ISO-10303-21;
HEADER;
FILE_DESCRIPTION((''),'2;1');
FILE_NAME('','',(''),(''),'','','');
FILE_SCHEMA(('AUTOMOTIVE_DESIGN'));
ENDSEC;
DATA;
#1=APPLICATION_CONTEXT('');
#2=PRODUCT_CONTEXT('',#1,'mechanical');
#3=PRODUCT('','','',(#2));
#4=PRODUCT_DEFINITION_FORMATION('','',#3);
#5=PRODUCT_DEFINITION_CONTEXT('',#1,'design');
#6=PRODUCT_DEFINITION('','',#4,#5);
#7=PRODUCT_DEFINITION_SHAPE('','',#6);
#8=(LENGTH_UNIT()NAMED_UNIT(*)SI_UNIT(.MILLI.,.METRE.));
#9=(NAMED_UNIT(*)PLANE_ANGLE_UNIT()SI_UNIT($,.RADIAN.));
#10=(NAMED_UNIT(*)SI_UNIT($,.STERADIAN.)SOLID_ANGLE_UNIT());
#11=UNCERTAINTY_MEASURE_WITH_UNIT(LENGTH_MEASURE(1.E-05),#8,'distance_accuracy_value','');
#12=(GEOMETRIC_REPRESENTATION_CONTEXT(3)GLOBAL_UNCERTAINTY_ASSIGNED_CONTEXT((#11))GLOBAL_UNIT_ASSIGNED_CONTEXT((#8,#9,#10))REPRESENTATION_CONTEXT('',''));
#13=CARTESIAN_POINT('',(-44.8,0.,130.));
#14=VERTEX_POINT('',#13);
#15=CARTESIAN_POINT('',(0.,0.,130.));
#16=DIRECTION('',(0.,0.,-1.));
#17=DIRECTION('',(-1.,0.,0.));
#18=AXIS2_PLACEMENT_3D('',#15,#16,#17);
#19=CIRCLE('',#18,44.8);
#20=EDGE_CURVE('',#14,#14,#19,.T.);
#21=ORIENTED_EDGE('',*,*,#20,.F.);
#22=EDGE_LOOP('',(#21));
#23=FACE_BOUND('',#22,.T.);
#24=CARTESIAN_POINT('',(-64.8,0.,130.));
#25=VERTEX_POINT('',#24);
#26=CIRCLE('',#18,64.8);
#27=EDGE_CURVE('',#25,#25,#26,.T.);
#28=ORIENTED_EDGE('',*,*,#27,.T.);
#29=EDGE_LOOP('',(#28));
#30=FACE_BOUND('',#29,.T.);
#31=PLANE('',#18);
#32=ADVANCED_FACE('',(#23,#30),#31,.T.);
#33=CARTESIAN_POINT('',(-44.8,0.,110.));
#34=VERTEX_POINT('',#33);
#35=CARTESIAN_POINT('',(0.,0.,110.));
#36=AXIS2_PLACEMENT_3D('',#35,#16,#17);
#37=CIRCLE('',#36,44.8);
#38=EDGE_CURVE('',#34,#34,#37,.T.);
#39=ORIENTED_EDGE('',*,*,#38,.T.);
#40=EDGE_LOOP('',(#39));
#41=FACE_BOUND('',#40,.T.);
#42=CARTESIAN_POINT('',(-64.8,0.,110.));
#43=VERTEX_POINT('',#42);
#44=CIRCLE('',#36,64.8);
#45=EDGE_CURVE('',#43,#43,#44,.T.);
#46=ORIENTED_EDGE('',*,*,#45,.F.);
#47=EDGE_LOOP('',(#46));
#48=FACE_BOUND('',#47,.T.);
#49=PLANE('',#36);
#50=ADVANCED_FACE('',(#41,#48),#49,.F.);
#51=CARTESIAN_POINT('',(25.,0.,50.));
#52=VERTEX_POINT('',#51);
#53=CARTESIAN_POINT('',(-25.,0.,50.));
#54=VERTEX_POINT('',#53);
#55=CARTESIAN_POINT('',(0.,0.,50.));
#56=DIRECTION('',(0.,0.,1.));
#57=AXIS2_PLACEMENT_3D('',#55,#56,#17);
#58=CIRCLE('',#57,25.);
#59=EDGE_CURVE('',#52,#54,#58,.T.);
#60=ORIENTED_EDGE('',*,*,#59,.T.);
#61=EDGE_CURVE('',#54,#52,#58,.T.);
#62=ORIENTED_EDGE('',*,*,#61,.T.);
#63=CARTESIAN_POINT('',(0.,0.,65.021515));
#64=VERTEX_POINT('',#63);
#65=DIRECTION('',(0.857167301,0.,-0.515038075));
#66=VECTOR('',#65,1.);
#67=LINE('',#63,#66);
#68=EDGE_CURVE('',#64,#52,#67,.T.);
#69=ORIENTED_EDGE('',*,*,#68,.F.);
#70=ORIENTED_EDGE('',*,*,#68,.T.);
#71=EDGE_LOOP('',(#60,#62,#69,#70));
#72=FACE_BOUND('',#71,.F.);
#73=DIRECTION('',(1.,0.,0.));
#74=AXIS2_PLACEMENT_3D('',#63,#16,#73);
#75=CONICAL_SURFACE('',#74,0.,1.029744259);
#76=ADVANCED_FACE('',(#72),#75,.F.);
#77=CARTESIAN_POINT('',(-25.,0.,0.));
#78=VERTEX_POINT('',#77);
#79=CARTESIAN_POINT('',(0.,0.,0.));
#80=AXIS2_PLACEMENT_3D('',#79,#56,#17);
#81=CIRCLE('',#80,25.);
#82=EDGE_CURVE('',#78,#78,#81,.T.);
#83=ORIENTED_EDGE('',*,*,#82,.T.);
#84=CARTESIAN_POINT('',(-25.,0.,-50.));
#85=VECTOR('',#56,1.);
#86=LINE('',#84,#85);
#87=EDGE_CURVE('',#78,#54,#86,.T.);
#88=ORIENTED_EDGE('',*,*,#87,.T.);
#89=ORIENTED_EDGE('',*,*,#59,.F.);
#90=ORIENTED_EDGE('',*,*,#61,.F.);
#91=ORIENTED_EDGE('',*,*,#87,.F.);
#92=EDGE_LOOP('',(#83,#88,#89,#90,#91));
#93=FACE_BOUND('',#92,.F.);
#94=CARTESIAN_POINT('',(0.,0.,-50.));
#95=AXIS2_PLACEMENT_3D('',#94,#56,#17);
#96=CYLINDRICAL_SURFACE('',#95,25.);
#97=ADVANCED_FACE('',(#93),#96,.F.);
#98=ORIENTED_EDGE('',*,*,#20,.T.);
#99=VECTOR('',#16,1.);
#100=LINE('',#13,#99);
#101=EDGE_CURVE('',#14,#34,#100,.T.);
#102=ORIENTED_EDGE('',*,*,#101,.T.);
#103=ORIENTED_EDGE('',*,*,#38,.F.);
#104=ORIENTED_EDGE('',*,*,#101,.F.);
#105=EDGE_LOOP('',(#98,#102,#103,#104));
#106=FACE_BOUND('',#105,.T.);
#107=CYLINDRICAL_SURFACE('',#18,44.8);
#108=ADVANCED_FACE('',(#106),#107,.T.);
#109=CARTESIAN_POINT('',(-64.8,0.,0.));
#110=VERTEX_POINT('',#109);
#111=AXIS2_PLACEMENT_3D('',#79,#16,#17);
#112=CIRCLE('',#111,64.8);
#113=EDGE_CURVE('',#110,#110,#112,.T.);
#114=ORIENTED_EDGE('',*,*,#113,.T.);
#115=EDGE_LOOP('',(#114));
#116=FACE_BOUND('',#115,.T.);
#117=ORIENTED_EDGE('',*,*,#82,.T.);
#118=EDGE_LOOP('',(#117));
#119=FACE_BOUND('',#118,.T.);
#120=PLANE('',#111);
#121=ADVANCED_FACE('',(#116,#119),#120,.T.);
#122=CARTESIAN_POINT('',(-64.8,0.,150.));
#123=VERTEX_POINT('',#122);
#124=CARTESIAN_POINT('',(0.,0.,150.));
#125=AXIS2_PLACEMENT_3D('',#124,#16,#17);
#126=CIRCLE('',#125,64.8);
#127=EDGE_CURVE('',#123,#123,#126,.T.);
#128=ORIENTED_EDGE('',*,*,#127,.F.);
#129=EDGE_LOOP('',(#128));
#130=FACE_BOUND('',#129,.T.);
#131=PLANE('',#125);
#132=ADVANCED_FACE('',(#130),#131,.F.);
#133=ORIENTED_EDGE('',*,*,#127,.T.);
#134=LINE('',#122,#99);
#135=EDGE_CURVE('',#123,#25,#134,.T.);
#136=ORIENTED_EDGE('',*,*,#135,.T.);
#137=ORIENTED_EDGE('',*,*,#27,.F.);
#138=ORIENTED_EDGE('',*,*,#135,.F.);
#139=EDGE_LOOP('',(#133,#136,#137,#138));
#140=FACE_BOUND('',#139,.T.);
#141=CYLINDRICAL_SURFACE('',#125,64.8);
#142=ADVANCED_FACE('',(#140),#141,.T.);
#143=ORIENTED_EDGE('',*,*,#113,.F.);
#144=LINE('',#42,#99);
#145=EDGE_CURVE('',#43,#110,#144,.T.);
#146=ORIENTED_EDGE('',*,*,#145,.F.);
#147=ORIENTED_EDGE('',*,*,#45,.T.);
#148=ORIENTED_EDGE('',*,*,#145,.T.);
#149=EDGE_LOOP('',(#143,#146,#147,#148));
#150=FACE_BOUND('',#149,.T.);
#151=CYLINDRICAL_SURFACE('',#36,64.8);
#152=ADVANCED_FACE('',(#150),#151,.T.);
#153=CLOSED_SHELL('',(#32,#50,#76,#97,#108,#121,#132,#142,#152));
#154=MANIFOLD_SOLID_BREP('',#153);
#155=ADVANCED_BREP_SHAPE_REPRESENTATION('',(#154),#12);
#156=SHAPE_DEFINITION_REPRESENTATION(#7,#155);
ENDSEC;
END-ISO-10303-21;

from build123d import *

# Parameters (mm, degrees)
F3_D     = 50
F3_DEPTH = 50
F3_TIP   = 15.0215154757


with BuildPart() as f1:
    # F0 (on Front) → F1 (revolve)
    with BuildSketch(Plane.XZ):
        Polygon((-64.8, 0), (0, 0), (0, 150), (-64.8, 150), (-64.8, 130), (-44.8, 130), (-44.8, 110), (-64.8, 110), align=None)
    revolve(axis=Axis((0, 0, 75), (0, 0, -1)))

    # F3
    with Locations(Plane(origin=(0, 0, 0), x_dir=(1, 0, 0), z_dir=(0, 0, -1))):
        with Locations((0, 0)):
            Hole(F3_D / 2, depth=F3_DEPTH)
            with Locations((0, 0, -(F3_DEPTH + F3_TIP / 2))):  # 118° drill point
                Cone(0, F3_D / 2, F3_TIP, mode=Mode.SUBTRACT)


solid = f1.part
